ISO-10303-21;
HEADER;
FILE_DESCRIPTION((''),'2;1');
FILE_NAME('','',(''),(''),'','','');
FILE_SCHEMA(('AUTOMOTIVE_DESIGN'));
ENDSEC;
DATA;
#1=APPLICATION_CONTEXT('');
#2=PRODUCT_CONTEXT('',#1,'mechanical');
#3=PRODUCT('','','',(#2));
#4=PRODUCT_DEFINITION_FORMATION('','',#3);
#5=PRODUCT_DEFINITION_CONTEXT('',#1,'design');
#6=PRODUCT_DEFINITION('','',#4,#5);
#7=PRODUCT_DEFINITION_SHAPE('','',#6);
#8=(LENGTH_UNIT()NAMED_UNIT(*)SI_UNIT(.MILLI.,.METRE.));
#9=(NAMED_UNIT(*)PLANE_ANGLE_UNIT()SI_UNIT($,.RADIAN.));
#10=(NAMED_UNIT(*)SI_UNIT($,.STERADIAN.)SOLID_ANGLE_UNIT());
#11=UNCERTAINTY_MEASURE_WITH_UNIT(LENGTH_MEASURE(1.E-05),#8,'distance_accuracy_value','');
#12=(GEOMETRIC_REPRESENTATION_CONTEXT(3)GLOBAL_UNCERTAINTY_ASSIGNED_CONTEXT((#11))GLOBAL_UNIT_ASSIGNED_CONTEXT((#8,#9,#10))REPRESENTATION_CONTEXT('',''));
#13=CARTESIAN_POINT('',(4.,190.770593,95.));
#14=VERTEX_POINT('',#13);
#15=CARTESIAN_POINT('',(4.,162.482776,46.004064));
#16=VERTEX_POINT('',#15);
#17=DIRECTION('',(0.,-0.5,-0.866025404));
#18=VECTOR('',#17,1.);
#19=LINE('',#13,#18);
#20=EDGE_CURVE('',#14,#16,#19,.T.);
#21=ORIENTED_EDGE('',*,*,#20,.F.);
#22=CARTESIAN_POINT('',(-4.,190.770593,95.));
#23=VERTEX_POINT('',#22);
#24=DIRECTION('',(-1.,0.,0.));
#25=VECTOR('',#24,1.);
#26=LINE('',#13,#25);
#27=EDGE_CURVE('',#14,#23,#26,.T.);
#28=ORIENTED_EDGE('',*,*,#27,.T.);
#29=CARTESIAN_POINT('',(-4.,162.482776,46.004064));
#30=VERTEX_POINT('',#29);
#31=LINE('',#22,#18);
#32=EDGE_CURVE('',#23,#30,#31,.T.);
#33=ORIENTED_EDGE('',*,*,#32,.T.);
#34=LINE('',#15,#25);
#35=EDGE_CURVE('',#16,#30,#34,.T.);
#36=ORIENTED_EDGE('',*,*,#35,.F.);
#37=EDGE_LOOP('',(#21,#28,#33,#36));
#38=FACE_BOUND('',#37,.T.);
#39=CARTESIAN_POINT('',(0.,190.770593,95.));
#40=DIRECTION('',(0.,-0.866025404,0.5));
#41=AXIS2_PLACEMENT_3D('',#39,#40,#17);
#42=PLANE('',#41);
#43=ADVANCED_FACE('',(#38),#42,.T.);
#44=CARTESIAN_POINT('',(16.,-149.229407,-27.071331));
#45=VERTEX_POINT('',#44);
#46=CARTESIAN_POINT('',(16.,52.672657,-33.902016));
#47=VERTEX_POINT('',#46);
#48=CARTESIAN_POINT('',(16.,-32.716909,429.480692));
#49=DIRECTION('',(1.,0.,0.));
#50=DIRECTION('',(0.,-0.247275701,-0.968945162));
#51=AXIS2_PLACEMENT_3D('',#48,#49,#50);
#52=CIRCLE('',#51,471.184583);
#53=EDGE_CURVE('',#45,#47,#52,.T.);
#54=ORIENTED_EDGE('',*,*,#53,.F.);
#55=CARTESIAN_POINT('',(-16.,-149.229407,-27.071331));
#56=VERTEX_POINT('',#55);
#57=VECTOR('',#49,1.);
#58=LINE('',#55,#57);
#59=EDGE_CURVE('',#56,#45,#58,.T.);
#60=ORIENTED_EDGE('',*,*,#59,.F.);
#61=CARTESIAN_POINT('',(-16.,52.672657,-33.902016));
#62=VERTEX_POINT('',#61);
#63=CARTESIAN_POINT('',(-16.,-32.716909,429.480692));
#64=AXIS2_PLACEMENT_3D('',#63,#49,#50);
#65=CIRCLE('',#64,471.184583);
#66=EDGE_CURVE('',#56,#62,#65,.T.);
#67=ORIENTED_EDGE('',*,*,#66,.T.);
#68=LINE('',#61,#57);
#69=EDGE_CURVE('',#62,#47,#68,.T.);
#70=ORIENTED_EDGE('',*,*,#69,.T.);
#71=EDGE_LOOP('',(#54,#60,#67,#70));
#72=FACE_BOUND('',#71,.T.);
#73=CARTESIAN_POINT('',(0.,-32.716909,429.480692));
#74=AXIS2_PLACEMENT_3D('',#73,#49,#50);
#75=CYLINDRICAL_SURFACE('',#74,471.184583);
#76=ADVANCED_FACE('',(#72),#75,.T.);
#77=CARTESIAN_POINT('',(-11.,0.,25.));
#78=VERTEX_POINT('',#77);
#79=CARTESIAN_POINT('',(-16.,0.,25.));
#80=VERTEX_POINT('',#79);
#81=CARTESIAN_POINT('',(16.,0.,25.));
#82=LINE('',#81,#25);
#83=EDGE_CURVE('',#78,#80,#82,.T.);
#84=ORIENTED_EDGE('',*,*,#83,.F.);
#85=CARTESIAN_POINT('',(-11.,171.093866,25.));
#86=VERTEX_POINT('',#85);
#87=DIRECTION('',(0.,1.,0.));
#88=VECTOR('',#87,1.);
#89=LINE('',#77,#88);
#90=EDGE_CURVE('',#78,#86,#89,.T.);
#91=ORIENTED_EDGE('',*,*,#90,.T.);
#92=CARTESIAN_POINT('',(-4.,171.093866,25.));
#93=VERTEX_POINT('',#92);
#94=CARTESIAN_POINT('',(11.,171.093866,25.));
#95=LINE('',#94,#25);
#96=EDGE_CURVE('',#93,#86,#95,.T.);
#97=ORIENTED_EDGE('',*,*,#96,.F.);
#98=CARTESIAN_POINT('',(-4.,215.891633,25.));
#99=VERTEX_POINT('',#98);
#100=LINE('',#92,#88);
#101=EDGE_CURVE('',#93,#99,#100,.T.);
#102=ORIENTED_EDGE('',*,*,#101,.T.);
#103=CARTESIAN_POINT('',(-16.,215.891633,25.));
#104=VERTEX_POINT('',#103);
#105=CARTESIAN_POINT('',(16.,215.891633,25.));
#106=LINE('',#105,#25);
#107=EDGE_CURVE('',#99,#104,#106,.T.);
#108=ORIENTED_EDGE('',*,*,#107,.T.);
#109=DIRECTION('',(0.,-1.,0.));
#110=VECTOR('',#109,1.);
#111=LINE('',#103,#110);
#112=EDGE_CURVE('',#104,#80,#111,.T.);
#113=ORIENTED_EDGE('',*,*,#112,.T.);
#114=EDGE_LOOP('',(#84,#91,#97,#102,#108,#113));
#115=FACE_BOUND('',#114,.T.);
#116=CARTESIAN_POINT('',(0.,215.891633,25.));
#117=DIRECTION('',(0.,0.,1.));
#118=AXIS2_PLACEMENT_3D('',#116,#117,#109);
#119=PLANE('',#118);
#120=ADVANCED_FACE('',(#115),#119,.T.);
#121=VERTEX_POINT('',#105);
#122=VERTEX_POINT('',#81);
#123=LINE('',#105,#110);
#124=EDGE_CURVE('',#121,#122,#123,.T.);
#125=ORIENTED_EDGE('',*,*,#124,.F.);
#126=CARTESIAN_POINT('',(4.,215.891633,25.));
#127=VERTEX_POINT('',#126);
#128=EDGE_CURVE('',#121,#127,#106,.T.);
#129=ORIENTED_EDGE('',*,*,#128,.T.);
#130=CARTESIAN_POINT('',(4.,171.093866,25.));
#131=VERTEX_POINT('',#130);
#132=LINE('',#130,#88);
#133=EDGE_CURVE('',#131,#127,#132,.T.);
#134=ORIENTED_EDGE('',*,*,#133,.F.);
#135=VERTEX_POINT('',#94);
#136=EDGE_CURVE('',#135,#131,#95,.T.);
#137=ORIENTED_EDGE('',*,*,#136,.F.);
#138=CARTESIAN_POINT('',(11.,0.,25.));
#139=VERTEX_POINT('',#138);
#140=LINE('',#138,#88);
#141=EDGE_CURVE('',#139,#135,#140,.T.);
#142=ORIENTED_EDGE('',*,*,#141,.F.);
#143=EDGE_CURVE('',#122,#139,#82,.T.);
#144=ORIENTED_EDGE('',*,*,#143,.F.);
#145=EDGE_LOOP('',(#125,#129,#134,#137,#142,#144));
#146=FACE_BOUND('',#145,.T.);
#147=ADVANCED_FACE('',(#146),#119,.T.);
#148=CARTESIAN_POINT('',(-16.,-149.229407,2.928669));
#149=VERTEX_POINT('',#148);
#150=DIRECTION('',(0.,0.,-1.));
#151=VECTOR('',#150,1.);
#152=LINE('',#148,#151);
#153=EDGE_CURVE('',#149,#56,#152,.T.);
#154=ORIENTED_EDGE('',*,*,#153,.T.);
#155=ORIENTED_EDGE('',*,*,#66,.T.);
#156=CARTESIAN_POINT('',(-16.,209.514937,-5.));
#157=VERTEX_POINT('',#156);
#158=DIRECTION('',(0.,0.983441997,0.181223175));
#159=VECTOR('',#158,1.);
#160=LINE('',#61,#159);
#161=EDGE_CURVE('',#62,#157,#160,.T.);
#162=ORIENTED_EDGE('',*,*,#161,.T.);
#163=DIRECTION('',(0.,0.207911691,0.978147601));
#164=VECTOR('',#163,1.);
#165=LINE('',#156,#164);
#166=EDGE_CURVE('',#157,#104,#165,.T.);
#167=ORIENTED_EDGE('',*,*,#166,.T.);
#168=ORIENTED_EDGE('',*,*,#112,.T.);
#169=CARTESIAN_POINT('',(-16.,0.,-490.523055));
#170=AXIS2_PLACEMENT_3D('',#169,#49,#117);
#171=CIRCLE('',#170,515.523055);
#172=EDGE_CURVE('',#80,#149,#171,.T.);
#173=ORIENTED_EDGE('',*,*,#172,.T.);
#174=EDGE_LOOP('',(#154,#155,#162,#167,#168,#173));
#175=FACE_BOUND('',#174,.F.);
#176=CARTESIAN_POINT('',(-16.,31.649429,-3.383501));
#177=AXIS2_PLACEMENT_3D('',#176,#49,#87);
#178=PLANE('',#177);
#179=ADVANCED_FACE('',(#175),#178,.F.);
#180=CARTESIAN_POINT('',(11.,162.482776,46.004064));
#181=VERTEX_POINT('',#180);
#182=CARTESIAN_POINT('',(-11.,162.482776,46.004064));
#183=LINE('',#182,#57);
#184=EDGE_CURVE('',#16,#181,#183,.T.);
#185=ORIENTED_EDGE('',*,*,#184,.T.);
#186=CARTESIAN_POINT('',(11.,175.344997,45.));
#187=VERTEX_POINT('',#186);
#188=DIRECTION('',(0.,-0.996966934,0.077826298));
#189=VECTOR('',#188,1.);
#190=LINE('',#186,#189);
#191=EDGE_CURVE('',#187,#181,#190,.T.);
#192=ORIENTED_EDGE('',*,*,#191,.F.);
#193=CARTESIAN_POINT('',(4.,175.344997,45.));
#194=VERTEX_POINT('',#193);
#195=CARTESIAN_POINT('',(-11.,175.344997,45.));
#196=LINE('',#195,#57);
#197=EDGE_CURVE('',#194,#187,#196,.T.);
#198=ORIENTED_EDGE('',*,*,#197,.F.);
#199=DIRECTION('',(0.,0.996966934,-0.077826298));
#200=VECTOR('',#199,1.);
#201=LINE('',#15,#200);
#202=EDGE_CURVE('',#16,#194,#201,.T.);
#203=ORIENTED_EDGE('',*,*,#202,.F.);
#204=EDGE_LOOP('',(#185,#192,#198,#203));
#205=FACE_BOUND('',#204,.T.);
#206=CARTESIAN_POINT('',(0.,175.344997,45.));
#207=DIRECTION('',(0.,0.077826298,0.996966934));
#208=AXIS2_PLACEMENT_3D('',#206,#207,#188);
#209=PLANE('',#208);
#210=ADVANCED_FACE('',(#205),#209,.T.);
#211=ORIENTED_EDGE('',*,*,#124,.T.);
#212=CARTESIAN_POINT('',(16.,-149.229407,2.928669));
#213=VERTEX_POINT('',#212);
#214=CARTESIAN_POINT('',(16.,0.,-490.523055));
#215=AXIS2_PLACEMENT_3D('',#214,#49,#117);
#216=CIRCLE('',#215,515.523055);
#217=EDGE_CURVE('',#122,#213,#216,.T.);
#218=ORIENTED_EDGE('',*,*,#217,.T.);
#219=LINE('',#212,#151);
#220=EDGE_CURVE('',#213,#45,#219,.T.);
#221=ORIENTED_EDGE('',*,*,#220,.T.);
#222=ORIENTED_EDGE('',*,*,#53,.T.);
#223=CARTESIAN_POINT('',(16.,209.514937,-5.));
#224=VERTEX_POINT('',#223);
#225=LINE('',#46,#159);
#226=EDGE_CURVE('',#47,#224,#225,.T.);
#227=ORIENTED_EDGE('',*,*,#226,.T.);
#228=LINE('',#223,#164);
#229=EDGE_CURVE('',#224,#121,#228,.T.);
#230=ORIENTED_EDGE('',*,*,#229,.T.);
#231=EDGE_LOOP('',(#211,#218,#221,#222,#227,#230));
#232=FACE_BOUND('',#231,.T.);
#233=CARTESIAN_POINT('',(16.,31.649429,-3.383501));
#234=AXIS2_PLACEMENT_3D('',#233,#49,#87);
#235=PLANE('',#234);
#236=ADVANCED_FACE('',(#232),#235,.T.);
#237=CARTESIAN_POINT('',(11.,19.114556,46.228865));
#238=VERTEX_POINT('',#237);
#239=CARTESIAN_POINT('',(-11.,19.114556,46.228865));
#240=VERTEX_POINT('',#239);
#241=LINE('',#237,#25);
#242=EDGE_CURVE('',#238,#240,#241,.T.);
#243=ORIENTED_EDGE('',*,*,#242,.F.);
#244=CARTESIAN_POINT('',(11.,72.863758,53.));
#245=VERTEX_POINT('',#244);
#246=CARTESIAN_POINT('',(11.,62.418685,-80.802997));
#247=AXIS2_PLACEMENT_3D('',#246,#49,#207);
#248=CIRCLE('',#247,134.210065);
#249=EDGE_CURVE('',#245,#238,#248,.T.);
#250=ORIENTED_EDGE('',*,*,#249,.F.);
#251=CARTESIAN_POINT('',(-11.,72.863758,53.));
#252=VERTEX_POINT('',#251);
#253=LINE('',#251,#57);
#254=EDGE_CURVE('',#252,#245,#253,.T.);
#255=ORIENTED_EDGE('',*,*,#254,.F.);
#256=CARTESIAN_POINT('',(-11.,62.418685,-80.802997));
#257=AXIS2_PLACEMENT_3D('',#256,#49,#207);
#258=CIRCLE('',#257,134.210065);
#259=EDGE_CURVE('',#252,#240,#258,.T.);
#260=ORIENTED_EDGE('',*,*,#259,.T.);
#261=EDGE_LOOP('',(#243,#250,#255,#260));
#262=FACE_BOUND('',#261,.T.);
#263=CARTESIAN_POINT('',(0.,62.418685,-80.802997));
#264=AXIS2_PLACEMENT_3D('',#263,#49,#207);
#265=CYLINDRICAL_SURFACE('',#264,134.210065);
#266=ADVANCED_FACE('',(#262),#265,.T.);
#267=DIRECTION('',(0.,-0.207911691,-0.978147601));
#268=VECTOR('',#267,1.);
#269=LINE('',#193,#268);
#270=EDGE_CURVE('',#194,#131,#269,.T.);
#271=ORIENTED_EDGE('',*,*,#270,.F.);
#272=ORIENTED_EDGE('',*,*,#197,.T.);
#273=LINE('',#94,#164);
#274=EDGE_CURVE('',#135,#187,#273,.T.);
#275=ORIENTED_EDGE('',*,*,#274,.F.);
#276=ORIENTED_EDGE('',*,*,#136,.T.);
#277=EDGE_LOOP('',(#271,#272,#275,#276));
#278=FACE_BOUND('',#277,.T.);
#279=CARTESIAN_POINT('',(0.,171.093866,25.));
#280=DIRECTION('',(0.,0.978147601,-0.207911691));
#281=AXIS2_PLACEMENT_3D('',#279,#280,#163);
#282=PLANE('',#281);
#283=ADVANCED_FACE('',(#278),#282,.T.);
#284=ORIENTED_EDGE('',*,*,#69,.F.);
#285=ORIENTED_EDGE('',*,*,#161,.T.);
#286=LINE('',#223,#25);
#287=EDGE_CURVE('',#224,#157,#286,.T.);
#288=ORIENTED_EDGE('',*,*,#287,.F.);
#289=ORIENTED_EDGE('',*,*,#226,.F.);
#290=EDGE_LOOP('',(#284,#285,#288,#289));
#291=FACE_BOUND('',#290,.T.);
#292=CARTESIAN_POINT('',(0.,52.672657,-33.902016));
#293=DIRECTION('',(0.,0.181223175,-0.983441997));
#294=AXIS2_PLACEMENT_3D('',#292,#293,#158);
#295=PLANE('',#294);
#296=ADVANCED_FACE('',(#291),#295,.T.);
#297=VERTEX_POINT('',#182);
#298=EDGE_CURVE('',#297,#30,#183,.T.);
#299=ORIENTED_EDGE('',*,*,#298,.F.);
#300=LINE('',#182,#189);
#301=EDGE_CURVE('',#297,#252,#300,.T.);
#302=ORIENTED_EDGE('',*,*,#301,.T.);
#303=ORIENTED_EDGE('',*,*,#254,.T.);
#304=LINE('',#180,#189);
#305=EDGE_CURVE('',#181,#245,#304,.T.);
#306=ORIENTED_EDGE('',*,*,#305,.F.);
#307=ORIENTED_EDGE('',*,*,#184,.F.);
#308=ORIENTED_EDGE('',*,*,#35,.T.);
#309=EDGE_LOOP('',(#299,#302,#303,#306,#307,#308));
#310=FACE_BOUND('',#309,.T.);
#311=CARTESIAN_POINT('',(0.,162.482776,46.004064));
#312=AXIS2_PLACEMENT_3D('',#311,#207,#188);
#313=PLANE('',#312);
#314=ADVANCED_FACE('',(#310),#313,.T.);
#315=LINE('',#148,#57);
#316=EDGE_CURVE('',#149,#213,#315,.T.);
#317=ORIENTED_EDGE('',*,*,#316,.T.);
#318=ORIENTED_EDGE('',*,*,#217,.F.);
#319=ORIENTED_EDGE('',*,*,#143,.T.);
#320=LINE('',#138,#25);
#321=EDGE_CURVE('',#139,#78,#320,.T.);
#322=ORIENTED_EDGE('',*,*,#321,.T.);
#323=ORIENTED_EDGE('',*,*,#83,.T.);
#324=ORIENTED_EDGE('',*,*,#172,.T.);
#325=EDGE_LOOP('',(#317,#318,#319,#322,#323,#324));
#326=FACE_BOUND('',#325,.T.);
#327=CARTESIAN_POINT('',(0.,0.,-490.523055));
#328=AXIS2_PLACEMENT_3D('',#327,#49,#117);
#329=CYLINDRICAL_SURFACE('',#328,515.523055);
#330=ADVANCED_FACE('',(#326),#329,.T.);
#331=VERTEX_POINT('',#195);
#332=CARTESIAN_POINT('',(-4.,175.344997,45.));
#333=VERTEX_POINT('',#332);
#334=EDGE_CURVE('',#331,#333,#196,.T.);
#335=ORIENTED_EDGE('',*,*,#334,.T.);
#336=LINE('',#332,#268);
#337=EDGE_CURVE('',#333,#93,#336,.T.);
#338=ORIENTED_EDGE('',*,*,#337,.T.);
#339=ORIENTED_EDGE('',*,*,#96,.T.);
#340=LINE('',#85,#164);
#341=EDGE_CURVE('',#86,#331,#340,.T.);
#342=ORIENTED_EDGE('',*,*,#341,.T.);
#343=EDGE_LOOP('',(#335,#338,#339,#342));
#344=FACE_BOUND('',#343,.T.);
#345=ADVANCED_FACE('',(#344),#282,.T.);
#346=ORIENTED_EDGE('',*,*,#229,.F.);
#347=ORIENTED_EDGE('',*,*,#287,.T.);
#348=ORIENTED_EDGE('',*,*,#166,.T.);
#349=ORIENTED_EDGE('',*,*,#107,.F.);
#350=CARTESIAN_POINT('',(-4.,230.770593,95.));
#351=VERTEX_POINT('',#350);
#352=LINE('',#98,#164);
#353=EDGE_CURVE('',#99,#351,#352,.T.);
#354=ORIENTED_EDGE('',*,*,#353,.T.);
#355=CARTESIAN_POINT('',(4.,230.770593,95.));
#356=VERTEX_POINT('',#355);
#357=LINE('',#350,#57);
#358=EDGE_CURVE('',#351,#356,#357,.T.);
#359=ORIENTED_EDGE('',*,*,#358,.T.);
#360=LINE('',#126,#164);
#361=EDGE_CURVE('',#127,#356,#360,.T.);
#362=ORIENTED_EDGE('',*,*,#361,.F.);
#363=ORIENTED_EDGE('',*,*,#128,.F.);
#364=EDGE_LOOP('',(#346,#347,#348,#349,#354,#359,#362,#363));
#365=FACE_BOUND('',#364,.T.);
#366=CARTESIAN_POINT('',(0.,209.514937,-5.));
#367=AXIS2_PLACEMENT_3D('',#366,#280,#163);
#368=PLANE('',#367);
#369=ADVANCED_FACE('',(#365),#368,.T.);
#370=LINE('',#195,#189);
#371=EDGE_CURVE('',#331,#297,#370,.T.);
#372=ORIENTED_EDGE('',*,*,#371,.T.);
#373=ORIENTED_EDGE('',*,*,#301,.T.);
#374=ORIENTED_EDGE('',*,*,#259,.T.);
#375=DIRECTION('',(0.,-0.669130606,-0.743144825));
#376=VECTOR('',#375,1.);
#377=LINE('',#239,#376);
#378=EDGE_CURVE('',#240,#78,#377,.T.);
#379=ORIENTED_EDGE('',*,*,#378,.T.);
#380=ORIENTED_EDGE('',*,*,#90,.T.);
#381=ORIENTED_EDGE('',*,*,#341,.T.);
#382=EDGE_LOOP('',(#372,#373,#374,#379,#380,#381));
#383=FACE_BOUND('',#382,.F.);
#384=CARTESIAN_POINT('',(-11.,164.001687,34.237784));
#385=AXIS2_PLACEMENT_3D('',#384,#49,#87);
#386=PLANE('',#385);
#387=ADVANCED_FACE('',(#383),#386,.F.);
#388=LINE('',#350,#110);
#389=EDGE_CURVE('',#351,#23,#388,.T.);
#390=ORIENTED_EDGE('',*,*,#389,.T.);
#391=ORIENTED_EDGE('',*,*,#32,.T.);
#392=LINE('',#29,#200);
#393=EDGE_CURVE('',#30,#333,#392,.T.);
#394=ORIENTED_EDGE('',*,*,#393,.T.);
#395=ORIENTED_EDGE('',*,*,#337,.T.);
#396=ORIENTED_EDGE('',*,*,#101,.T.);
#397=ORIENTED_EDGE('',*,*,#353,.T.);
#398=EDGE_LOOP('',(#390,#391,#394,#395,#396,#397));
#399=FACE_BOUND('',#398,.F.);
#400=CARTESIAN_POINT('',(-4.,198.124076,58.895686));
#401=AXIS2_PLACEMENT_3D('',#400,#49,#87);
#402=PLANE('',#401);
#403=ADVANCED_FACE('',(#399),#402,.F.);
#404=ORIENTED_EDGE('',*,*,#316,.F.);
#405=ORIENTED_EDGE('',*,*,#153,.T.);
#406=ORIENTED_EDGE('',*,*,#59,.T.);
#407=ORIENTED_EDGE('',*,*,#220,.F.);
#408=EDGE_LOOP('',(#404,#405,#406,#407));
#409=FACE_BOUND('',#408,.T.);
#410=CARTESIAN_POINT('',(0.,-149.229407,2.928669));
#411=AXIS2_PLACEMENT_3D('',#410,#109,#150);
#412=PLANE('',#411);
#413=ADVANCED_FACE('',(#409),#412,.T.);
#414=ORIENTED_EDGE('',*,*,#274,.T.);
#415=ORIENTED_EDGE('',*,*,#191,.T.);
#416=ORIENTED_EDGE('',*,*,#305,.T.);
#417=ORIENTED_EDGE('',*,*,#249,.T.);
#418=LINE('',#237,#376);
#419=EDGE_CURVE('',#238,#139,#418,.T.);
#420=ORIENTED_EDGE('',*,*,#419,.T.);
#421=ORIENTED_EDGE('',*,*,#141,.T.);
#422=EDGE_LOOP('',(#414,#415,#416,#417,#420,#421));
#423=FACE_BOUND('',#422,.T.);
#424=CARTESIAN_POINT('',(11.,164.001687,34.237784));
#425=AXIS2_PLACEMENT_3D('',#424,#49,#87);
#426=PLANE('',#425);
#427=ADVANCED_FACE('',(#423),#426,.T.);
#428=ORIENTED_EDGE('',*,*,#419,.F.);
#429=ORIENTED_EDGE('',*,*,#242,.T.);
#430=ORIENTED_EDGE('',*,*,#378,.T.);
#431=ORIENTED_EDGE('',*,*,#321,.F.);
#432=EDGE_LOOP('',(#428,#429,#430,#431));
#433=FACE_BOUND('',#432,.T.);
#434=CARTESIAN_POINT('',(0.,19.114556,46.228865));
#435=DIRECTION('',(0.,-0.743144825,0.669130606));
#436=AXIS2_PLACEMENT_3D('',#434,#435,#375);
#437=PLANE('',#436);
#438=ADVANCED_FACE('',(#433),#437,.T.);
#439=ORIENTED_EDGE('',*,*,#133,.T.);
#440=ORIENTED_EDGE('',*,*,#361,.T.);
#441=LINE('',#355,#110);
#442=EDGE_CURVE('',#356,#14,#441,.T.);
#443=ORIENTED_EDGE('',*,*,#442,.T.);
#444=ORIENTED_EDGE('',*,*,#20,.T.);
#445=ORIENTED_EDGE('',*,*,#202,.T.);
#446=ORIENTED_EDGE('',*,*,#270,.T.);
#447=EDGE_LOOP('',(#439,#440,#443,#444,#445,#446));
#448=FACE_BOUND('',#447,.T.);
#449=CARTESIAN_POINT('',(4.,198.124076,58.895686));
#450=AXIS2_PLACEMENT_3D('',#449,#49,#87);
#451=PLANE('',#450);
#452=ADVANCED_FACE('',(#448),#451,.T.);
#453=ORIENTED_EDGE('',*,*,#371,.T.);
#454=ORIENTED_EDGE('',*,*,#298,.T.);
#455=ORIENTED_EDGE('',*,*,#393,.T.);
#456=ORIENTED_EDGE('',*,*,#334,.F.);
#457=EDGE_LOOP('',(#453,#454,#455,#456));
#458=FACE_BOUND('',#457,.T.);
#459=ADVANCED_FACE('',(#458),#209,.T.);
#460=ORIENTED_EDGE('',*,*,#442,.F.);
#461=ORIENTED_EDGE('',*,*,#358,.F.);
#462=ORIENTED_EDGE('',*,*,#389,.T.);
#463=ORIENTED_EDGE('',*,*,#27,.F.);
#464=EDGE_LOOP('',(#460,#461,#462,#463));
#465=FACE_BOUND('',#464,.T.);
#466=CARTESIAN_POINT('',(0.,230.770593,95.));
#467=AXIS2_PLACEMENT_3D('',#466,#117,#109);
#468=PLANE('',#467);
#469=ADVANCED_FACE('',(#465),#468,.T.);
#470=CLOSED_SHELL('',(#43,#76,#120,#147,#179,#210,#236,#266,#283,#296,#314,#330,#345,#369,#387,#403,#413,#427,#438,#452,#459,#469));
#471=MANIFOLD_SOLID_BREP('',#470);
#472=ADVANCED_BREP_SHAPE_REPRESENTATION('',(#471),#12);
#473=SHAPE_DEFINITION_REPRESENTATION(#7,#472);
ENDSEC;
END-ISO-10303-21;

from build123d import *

# Parameters (mm, degrees)
F2_DEPTH = 16
F3_DEPTH = 4
F4_DEPTH = 11


with BuildPart() as f2:
    # F1 (on Right) → F2 (new body, symmetric)
    with BuildSketch(Plane.YZ):
        with BuildLine():
            Line((150.3560738462, 25), (0, 25))
            ThreePointArc((0, 25), (-75.426387367, 19.4523172703), (-149.2294073105, 2.9286693037))
            Line((-149.2294073105, 2.9286693037), (-149.2294073105, 0))
            Line((-149.2294073105, 0), (-149.2294073105, -27.0713306963))
            ThreePointArc((-149.2294073105, -27.0713306963), (-48.6487574396, -41.4344679398), (52.6726568851, -33.9020155382))
            Line((52.6726568851, -33.9020155382), (209.5149365225, -5))
            Line((209.5149365225, -5), (215.8916333726, 25))
            Line((215.8916333726, 25), (171.0938662291, 25))
            Line((171.0938662291, 25), (150.3560738462, 25))
        make_face()
    extrude(amount=F2_DEPTH, both=True)

    # F1 (on Right) → F3 (join, symmetric)
    with BuildSketch(Plane.YZ):
        Polygon((175.3449974625, 45), (171.0938662291, 25), (215.8916333726, 25), (230.7705926895, 95), (190.7705926895, 95), (162.4827761164, 46.0040644602), align=None)
    extrude(amount=F3_DEPTH, both=True)

    # F1 (on Right) → F4 (join, symmetric)
    with BuildSketch(Plane.YZ):
        Polygon((162.4827761164, 46.0040644602), (150.3560738462, 25), (171.0938662291, 25), (175.3449974625, 45), align=None)
        with BuildLine():
            Line((19.114555791, 46.2288648769), (0, 25))
            Line((0, 25), (150.3560738462, 25))
            Line((150.3560738462, 25), (162.4827761164, 46.0040644602))
            Line((162.4827761164, 46.0040644602), (72.8637576103, 53))
            ThreePointArc((72.8637576103, 53), (45.6439579452, 52.3546166529), (19.114555791, 46.2288648769))
        make_face()
    extrude(amount=F4_DEPTH, both=True)


solid = f2.part
